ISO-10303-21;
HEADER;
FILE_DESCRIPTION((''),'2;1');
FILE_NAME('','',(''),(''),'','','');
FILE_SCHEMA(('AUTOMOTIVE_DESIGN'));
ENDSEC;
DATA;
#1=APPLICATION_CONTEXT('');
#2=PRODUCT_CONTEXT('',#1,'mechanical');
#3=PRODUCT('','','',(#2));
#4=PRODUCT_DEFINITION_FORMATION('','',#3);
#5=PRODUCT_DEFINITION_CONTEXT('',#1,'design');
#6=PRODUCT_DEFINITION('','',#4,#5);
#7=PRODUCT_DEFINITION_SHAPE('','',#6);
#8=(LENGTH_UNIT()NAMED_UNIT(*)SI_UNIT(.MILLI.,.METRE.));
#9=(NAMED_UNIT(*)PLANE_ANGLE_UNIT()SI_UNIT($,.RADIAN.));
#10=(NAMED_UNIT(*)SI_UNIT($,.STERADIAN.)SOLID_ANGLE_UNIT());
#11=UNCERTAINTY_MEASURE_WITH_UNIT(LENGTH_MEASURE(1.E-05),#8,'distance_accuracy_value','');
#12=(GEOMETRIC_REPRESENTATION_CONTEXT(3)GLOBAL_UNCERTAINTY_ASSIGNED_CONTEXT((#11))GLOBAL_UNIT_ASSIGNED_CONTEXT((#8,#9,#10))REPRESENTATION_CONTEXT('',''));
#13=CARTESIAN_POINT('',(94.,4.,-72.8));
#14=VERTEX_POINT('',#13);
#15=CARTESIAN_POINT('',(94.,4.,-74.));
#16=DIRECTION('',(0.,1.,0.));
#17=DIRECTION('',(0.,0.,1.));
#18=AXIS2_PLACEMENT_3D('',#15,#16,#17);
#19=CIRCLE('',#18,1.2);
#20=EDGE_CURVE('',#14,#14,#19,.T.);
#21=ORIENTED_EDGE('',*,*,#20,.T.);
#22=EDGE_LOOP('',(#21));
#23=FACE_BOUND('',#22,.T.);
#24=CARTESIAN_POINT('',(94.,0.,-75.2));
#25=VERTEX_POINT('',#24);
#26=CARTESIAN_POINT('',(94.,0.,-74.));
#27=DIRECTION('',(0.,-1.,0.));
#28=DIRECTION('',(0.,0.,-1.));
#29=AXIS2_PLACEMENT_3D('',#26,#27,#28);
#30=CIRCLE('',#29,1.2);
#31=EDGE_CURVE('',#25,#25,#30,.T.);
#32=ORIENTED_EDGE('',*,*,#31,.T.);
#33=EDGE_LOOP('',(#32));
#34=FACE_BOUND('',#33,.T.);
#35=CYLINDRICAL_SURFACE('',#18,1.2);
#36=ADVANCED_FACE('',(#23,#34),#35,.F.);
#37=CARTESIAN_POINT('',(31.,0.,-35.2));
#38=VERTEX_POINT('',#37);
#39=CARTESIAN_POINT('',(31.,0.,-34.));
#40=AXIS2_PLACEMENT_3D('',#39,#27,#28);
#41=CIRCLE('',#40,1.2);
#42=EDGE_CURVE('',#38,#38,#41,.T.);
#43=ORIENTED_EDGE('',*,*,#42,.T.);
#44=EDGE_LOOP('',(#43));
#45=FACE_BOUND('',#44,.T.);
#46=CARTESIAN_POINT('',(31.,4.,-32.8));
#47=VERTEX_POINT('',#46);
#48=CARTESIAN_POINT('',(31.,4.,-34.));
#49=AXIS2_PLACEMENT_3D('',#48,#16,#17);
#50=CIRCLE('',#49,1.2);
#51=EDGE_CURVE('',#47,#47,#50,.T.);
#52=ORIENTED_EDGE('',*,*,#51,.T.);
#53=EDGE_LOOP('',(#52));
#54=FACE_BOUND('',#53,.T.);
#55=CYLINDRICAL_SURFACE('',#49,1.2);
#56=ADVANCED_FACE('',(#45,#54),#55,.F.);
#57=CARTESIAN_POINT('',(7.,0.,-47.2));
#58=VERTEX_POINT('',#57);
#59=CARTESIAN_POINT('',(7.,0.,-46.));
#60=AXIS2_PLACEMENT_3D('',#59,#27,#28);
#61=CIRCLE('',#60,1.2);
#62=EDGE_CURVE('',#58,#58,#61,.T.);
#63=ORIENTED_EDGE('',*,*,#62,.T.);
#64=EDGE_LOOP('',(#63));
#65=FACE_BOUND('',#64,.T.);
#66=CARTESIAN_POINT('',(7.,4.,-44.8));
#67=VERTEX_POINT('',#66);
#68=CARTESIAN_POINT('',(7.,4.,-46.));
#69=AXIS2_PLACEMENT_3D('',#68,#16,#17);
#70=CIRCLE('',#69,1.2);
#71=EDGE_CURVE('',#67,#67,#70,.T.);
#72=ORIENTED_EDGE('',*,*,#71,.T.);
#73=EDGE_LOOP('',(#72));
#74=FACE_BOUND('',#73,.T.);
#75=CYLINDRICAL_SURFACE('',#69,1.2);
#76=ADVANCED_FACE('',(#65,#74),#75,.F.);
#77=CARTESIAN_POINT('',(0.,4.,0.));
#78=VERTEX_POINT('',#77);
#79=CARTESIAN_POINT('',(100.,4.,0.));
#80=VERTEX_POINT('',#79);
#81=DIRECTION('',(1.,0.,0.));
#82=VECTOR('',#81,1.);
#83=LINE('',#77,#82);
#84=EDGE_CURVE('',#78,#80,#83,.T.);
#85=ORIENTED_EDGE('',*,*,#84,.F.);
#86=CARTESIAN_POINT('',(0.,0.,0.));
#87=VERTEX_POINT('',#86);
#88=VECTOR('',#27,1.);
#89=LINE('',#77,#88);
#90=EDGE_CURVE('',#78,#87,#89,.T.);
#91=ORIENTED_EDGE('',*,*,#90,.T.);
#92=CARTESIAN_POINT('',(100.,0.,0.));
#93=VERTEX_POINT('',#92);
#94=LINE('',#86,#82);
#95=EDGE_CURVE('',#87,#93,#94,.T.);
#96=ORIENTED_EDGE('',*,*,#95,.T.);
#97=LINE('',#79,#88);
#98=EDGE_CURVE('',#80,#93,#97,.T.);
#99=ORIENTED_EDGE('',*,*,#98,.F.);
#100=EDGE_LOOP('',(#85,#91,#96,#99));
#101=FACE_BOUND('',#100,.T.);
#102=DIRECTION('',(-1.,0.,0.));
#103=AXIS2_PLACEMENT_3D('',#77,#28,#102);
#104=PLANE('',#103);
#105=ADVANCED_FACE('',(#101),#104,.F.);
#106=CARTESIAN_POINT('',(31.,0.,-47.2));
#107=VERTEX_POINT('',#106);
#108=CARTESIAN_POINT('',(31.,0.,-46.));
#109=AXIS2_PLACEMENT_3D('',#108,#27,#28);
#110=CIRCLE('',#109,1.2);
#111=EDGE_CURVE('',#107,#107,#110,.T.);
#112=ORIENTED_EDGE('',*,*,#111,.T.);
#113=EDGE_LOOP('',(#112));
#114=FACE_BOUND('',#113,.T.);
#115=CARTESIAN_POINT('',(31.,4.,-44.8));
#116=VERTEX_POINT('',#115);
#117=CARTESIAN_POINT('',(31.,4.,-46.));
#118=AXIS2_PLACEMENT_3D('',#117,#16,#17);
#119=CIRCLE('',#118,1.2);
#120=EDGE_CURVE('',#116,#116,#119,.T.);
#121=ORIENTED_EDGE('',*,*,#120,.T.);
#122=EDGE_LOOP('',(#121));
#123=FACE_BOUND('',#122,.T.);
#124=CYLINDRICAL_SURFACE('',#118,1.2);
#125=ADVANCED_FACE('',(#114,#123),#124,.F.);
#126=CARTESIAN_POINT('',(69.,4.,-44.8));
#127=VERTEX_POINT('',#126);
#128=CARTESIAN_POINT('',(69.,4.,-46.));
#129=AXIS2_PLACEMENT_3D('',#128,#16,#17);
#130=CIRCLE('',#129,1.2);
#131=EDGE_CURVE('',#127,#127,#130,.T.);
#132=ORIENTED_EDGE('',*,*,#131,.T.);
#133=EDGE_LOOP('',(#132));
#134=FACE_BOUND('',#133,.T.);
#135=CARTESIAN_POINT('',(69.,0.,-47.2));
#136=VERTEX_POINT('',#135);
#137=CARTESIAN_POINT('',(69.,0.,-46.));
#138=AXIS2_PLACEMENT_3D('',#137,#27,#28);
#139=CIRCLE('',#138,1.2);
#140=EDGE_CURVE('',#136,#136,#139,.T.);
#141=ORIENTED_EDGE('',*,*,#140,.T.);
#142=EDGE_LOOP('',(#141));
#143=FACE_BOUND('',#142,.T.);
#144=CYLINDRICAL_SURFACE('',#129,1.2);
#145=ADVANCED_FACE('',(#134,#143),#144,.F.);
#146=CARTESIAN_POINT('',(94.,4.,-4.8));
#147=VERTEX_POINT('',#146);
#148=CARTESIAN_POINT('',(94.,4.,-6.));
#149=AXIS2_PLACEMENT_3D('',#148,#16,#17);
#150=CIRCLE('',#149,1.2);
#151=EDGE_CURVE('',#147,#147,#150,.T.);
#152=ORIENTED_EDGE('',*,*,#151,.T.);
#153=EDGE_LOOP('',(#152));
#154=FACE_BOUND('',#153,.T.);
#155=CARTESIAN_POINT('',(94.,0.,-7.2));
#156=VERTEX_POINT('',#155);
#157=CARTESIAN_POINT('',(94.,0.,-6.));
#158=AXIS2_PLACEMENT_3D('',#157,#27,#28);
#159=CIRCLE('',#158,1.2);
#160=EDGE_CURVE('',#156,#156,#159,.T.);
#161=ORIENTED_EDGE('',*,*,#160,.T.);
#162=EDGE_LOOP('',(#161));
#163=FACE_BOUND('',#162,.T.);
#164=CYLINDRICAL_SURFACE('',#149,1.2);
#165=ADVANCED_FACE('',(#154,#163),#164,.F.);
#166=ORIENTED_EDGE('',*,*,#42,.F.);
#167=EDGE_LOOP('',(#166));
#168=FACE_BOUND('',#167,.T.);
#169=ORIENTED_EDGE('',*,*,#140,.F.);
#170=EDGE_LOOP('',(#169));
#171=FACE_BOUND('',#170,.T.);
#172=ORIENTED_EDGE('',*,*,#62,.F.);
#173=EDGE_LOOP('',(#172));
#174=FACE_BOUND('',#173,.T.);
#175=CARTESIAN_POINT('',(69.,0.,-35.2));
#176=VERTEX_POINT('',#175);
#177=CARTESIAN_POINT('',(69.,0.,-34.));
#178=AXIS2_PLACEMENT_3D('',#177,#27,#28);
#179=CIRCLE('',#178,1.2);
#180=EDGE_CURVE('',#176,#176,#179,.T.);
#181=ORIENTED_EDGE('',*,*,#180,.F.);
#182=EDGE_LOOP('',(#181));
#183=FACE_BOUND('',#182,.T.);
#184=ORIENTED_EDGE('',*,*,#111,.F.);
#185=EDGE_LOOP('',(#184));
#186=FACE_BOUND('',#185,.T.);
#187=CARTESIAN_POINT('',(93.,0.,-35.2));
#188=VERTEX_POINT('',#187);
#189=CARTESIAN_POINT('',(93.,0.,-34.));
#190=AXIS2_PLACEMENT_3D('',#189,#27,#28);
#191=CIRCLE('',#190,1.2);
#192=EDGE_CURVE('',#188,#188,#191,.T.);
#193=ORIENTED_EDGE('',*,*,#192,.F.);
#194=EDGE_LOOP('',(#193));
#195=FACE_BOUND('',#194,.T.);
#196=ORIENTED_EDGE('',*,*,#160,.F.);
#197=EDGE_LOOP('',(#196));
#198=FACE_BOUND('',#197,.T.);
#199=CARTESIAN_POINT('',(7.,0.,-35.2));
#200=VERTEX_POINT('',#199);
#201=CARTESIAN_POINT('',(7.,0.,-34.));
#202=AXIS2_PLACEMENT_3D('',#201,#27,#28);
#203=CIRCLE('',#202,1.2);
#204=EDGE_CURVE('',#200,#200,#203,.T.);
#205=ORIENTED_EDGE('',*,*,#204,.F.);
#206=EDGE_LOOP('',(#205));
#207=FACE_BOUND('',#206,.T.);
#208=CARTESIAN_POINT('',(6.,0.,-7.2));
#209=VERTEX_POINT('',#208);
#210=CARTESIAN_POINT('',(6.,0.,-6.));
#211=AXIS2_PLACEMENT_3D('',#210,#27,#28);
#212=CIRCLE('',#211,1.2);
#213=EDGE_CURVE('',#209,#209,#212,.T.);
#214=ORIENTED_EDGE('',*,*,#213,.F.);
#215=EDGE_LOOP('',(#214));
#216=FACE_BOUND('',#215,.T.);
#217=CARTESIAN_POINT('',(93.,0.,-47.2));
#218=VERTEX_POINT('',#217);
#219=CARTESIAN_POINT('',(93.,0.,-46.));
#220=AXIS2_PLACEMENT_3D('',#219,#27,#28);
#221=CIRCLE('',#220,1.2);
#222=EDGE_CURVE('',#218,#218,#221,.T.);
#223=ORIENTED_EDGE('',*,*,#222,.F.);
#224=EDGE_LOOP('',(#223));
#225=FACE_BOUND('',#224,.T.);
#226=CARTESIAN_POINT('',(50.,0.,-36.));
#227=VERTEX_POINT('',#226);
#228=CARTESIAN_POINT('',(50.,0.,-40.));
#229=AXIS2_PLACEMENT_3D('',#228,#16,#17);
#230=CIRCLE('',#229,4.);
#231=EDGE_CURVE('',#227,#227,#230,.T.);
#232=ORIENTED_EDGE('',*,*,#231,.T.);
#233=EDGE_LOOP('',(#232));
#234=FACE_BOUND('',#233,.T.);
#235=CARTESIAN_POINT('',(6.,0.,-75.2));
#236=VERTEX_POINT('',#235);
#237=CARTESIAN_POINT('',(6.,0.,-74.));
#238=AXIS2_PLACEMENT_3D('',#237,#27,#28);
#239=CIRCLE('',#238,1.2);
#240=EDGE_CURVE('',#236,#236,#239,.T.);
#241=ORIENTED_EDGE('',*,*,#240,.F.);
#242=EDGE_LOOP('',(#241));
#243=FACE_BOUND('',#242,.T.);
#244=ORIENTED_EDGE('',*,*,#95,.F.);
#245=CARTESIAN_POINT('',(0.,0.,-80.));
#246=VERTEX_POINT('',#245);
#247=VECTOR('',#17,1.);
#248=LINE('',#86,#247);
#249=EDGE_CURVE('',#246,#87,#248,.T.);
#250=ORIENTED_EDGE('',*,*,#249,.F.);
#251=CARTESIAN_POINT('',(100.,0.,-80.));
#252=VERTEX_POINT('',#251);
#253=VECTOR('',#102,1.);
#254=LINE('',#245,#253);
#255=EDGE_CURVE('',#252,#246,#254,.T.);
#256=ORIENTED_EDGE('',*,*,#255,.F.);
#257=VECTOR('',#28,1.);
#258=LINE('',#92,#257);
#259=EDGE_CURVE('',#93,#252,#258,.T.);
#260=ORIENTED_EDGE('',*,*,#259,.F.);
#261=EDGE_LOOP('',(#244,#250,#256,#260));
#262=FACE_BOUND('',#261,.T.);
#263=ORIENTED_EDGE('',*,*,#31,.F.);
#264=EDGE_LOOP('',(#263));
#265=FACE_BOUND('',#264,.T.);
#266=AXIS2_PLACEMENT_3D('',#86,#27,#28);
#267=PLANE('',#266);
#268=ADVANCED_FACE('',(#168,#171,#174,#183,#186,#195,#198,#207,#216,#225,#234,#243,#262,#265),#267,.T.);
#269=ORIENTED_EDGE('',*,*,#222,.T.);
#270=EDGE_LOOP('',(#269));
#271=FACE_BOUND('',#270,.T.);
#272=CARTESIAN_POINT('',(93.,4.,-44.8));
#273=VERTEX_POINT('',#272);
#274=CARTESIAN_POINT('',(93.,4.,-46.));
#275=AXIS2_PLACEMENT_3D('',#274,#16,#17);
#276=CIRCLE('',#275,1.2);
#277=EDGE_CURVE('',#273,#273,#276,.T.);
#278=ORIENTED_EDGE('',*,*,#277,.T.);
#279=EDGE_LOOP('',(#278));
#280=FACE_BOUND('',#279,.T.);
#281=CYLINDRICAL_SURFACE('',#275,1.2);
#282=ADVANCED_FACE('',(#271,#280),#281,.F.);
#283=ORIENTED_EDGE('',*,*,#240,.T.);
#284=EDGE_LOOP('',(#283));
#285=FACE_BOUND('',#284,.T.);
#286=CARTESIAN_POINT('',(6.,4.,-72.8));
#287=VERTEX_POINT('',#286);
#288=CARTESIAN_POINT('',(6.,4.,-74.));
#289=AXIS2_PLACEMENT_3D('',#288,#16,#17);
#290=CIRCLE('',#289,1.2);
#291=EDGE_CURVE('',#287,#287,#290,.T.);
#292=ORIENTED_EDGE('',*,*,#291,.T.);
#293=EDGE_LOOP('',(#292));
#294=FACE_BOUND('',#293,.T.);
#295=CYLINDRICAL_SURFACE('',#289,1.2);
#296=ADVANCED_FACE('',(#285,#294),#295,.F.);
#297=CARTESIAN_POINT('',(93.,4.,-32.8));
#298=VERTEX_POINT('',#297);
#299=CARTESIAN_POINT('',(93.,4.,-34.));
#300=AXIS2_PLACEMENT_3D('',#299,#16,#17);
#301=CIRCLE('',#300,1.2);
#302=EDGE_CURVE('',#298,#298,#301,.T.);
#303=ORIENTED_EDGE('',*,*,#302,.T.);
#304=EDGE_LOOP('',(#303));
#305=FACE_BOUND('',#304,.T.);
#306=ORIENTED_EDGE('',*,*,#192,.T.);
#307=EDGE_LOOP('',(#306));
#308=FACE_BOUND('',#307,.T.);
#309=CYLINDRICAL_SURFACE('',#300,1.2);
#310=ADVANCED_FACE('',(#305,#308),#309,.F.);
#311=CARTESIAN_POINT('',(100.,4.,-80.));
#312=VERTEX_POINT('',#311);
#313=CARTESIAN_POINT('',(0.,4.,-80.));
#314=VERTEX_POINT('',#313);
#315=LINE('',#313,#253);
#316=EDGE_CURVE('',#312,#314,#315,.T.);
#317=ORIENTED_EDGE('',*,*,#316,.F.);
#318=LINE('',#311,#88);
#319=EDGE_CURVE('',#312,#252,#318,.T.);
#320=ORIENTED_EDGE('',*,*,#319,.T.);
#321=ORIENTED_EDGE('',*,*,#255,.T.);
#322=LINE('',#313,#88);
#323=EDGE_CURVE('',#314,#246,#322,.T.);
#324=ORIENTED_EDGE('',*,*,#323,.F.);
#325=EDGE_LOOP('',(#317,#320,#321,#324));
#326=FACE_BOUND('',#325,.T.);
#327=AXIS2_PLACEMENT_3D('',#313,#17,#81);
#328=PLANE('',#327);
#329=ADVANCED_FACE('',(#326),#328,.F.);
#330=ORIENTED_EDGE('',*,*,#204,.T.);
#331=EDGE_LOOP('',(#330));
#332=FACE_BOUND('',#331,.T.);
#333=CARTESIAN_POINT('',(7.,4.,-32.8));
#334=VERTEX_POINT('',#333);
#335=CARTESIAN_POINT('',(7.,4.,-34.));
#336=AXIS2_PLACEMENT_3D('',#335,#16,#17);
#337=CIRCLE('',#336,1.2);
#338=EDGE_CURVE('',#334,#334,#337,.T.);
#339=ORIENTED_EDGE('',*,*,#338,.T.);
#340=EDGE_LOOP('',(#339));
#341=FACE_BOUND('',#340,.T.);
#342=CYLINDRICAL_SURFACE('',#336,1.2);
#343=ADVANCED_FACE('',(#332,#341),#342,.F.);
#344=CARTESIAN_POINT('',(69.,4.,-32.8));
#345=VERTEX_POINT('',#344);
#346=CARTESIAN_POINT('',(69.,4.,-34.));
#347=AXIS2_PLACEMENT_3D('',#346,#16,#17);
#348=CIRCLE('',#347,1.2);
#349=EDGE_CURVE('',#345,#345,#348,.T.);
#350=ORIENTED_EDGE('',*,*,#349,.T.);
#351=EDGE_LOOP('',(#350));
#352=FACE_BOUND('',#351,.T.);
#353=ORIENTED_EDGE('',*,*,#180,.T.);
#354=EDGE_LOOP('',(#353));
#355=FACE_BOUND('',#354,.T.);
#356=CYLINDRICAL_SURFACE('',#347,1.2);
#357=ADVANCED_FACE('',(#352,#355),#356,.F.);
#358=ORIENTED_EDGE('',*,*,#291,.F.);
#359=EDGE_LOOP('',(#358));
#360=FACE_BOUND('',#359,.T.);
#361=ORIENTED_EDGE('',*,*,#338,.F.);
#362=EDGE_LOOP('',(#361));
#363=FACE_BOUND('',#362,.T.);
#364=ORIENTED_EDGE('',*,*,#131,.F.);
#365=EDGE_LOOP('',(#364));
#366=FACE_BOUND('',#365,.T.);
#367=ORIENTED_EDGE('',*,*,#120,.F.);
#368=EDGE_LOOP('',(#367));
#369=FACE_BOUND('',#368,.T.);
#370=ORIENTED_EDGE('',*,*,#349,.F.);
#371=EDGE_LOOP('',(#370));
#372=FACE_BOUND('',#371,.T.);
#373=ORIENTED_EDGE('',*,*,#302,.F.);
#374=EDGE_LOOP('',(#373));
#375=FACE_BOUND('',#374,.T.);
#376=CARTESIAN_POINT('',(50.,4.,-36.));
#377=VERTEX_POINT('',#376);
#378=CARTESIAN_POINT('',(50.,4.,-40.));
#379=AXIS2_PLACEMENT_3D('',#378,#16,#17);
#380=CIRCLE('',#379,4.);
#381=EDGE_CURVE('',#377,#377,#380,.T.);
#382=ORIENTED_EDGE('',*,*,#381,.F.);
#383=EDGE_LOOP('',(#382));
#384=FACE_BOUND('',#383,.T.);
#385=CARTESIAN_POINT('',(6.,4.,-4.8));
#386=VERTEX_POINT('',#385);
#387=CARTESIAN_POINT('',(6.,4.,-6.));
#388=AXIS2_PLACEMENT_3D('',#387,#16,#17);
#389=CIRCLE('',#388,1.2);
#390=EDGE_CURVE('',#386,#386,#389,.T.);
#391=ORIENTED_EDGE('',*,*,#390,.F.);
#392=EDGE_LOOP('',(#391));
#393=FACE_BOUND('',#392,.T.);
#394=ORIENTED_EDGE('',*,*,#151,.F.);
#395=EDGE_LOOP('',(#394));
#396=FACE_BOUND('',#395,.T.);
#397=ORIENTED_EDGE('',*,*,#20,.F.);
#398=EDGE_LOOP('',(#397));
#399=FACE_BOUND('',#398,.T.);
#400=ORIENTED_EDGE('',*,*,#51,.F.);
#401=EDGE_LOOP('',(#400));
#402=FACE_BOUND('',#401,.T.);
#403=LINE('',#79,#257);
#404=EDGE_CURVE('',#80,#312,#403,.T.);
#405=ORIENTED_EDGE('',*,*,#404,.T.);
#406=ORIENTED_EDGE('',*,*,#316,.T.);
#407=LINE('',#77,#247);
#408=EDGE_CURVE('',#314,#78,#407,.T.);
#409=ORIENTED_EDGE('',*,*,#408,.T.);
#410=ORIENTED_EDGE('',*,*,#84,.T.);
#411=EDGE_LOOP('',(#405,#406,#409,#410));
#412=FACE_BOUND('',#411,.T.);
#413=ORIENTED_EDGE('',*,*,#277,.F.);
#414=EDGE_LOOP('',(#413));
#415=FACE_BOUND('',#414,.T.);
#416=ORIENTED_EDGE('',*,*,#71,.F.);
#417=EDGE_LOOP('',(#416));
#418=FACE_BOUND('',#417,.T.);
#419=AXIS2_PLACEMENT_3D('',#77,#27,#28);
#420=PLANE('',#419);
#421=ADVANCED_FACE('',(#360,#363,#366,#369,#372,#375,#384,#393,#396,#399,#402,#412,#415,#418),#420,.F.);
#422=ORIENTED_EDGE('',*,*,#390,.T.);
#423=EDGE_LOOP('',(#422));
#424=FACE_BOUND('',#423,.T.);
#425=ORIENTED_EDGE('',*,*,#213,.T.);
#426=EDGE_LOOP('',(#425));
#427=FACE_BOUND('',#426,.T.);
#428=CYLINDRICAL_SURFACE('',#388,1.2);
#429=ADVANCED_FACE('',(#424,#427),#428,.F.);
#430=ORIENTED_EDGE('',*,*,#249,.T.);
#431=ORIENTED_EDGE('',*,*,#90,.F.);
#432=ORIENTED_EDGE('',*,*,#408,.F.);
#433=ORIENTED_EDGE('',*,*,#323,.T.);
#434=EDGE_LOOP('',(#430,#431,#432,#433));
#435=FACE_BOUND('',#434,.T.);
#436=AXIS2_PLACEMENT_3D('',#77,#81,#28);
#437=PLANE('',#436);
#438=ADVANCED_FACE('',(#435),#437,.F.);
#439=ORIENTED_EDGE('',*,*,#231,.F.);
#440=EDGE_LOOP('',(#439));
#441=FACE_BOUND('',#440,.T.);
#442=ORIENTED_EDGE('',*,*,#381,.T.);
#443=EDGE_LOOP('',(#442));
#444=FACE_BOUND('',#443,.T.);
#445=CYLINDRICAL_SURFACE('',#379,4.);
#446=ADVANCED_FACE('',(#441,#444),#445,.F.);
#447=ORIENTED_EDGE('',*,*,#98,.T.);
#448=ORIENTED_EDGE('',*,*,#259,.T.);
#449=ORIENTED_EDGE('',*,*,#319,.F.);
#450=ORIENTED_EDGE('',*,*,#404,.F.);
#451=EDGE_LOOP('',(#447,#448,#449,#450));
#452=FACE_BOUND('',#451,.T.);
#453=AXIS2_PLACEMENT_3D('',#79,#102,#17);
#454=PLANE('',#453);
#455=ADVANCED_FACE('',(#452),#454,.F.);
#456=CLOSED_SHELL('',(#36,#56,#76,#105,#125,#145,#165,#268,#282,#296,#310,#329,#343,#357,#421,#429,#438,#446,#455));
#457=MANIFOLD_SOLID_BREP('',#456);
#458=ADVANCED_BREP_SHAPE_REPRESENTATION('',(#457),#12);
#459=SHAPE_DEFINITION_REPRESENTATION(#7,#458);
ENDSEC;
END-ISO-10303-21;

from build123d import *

# Parameters (mm, degrees)
SKETCH1_W                = 100
SKETCH1_H                = 80
BOSS_EXTRUDE1_DEPTH      = 4
M2_CLEARANCE_HOLE1_D     = 2.4
M2_CLEARANCE_HOLE1_DEPTH = 6
M2_CLEARANCE_HOLE2_D     = 2.4
M2_CLEARANCE_HOLE2_DEPTH = 6
F_8_0MM_DOWEL_HOLE1_D    = 8


with BuildPart() as part:
    # Sketch1 → Boss-Extrude1 (new body)
    with BuildSketch(Plane(origin=(0, 0, 0), x_dir=(1, 0, 0), z_dir=(0, 1, 0))):
        with Locations((50, 40)):
            Rectangle(SKETCH1_W, SKETCH1_H)
    extrude(amount=BOSS_EXTRUDE1_DEPTH)

    # M2 Clearance Hole1
    with Locations(Plane(origin=(0, 4, 0), x_dir=(1, 0, 0), z_dir=(0, 1, 0))):
        with Locations((7, 34), (31, 34), (31, 46), (7, 46)):
            m2_clearance_hole1 = Hole(M2_CLEARANCE_HOLE1_D / 2, depth=M2_CLEARANCE_HOLE1_DEPTH)

    # Mirror1: M2 Clearance Hole1 across plane
    add(m2_clearance_hole1.mirror(Plane.ZY.offset(-50)), mode=Mode.SUBTRACT)

    # M2 Clearance Hole2
    with Locations(Plane(origin=(0, 4, 0), x_dir=(1, 0, 0), z_dir=(0, 1, 0))):
        with Locations((6, 74), (94, 74), (94, 6), (6, 6)):
            Hole(M2_CLEARANCE_HOLE2_D / 2, depth=M2_CLEARANCE_HOLE2_DEPTH)

    # Ø8.0mm Dowel Hole1 (through all)
    with Locations(Plane(origin=(0, 4, 0), x_dir=(1, 0, 0), z_dir=(0, 1, 0))):
        with Locations((50, 40)):
            Hole(F_8_0MM_DOWEL_HOLE1_D / 2)


solid = part.part
